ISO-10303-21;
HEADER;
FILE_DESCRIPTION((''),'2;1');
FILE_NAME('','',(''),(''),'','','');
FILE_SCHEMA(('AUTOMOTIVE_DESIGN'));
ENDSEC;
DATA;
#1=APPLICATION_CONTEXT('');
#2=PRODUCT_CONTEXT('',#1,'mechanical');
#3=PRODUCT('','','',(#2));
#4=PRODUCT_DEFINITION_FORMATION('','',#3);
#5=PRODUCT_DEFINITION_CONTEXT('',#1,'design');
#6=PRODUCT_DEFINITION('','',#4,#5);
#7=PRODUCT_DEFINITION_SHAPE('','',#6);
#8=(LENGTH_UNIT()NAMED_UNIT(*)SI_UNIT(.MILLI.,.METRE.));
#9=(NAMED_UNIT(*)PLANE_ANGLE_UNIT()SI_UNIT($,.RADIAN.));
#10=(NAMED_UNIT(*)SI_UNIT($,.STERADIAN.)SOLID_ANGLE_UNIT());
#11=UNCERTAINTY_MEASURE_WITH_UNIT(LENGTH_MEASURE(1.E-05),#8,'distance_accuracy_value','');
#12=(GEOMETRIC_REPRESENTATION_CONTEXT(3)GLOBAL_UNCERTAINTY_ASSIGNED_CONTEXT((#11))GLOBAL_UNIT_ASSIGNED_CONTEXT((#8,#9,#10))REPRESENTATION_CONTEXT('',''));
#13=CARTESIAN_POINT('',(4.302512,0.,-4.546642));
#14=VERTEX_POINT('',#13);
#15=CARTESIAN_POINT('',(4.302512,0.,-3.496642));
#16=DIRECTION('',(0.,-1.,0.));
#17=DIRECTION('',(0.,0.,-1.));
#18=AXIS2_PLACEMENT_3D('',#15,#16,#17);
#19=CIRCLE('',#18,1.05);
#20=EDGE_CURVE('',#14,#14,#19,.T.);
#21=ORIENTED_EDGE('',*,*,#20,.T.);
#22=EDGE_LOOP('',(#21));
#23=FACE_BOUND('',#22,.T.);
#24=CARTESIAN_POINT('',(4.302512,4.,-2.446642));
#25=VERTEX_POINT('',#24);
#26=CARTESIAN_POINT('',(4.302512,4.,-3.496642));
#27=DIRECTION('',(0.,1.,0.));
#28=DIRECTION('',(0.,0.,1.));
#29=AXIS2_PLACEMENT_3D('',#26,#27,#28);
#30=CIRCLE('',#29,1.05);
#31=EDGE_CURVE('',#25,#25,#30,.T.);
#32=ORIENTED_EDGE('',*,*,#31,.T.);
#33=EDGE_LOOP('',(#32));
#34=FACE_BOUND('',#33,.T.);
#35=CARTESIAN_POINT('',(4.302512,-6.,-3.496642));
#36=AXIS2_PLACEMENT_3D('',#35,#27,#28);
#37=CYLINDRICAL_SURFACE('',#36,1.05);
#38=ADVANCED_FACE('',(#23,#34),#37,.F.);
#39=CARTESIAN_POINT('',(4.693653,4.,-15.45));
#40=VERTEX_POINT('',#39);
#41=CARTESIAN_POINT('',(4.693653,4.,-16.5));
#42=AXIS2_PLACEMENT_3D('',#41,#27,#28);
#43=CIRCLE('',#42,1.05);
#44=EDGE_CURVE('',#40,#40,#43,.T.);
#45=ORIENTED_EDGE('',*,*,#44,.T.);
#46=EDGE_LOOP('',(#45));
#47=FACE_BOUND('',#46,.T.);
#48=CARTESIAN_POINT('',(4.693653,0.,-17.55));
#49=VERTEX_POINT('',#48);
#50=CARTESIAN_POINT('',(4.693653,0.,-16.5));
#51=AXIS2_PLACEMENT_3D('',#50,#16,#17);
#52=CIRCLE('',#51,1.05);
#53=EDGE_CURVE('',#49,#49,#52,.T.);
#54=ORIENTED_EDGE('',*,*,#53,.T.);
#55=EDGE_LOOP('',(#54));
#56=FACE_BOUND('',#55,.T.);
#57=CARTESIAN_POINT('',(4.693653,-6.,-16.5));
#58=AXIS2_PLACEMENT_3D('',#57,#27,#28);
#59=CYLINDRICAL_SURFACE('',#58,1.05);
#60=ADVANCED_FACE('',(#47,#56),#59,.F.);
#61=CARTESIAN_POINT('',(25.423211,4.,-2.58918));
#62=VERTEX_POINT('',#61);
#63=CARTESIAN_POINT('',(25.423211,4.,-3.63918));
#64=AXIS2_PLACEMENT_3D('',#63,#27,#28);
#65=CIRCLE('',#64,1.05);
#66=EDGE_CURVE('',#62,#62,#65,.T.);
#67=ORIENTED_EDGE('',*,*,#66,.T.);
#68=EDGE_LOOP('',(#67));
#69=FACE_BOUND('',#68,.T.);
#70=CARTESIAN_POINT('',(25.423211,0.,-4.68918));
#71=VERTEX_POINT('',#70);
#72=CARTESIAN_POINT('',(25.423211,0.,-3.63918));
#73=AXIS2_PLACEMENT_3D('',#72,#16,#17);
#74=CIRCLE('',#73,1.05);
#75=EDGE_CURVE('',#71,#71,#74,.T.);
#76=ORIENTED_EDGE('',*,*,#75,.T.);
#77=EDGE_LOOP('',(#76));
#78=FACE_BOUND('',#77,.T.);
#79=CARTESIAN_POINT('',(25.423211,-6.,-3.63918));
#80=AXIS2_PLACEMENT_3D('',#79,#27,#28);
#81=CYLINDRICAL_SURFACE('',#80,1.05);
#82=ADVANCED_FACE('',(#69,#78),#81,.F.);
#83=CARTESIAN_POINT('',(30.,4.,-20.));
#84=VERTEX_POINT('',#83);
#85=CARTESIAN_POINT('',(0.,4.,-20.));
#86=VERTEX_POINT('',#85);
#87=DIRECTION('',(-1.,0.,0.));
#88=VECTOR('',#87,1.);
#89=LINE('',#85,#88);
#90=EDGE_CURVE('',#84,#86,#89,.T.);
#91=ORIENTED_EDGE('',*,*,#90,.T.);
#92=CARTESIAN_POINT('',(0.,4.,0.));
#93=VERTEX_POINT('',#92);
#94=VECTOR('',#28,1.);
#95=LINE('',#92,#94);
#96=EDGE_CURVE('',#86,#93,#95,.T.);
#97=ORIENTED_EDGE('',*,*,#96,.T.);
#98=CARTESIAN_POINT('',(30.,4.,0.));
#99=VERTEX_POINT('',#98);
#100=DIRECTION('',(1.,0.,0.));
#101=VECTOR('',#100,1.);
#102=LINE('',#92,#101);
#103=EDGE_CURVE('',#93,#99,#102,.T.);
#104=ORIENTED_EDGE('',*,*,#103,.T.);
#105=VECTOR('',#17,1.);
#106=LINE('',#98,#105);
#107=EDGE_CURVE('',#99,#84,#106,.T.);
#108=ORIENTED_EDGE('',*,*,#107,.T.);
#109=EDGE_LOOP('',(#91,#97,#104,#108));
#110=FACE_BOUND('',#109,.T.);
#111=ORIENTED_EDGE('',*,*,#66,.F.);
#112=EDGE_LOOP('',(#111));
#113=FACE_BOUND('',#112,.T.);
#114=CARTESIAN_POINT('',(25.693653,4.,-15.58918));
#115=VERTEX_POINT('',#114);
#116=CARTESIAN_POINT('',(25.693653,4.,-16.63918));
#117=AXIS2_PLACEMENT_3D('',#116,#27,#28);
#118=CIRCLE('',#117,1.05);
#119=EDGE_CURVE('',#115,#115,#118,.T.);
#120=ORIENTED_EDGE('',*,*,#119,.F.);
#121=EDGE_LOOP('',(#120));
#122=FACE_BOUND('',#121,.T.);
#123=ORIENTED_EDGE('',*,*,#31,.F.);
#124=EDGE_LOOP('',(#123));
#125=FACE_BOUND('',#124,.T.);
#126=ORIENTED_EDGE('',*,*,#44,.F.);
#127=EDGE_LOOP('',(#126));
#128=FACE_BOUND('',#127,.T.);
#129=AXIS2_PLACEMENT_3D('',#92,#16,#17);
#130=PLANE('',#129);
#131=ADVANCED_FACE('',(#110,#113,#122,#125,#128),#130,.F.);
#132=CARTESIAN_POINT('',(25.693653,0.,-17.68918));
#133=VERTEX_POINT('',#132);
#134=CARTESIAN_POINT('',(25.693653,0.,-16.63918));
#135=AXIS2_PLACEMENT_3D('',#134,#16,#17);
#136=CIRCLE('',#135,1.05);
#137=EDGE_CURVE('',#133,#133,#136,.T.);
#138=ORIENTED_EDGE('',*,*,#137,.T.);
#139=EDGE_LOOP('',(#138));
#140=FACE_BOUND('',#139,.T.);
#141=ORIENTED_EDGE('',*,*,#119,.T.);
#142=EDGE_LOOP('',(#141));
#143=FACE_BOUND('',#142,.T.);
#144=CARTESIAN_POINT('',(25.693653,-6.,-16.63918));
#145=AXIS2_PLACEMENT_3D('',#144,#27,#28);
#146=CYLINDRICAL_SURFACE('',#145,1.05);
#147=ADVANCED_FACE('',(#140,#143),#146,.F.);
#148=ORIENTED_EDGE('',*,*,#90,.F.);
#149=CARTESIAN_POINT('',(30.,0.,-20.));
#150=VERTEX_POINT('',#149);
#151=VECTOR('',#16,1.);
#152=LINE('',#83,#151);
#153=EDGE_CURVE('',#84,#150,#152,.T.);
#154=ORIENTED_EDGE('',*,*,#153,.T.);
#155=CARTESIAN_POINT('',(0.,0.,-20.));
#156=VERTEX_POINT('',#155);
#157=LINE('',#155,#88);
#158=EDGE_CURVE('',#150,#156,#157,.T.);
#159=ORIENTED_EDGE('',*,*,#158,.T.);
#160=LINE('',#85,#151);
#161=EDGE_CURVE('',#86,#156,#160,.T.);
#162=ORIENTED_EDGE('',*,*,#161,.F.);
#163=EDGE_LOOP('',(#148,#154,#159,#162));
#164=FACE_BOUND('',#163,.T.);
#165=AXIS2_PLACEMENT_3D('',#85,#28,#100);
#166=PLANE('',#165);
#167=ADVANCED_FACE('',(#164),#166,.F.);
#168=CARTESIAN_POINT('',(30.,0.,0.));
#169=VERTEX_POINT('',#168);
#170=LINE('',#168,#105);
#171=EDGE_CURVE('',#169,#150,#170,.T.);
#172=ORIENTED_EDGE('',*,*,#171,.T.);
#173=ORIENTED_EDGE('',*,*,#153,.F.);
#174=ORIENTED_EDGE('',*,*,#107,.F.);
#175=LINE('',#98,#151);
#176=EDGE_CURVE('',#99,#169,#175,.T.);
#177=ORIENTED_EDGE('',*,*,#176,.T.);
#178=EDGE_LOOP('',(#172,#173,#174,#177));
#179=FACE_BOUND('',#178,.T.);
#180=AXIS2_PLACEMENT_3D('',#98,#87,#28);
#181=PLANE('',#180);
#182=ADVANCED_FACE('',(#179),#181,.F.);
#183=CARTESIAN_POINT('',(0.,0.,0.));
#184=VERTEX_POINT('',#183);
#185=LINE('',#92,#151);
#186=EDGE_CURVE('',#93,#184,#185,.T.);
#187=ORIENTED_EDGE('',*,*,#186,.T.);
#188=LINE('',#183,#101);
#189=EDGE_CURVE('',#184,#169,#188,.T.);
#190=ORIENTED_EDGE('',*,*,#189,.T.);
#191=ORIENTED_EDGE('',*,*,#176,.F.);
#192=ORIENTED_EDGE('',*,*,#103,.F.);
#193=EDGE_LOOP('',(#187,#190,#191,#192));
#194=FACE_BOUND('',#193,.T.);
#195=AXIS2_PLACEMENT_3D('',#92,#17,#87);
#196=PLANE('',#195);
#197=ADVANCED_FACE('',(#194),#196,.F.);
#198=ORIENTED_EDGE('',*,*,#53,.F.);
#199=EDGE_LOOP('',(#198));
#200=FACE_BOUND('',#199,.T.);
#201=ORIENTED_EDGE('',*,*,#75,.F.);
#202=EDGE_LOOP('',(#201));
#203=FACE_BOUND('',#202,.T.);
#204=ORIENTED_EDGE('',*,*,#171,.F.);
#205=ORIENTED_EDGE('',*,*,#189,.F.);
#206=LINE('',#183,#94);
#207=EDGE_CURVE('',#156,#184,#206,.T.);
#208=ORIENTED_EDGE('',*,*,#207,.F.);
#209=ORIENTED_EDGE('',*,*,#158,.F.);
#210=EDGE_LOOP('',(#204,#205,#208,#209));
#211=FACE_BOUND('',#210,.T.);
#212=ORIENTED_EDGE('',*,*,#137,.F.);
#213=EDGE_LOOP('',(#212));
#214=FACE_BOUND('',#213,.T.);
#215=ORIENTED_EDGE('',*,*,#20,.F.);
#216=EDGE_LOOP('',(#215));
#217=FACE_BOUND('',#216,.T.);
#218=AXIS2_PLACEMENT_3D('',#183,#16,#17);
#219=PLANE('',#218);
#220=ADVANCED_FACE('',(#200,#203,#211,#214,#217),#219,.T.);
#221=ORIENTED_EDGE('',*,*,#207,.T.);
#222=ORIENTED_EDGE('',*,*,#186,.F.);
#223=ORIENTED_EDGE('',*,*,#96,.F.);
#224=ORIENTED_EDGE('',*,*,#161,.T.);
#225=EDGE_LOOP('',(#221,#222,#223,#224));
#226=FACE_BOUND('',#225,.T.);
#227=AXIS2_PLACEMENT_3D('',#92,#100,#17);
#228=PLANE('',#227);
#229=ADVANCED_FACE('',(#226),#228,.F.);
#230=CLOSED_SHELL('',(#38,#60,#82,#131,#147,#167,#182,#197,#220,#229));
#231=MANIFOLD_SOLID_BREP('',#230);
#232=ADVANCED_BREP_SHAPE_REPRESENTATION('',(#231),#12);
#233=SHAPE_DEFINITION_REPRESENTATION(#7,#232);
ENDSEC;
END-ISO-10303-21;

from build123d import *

# Parameters (mm, degrees)
SKETCH1_W           = 30
SKETCH1_H           = 20
BOSS_EXTRUDE1_DEPTH = 4
SKETCH2_R           = 1.05
CUT_EXTRUDE2_DEPTH  = 10


with BuildPart() as part:
    # Sketch1 → Boss-Extrude1 (new body)
    with BuildSketch(Plane(origin=(0, 0, 0), x_dir=(1, 0, 0), z_dir=(0, 1, 0))):
        with Locations((15, 10)):
            Rectangle(SKETCH1_W, SKETCH1_H)
    extrude(amount=BOSS_EXTRUDE1_DEPTH)

    # Sketch2 → Cut-Extrude2 (cut)
    with BuildSketch(Plane(origin=(0, 4, 0), x_dir=(1, 0, 0), z_dir=(0, 1, 0))):
        with Locations(Location((4.693652707, 16.5, 0), (0, 0, 270))):
            Circle(SKETCH2_R)
        with Locations(Location((25.693652707, 16.639179862, 0), (0, 0, 270))):
            Circle(SKETCH2_R)
        with Locations(Location((4.302512115, 3.496642024, 0), (0, 0, 270))):
            Circle(SKETCH2_R)
        with Locations(Location((25.423210771, 3.639179862, 0), (0, 0, 270))):
            Circle(SKETCH2_R)
    extrude(amount=-CUT_EXTRUDE2_DEPTH, mode=Mode.SUBTRACT)


solid = part.part
